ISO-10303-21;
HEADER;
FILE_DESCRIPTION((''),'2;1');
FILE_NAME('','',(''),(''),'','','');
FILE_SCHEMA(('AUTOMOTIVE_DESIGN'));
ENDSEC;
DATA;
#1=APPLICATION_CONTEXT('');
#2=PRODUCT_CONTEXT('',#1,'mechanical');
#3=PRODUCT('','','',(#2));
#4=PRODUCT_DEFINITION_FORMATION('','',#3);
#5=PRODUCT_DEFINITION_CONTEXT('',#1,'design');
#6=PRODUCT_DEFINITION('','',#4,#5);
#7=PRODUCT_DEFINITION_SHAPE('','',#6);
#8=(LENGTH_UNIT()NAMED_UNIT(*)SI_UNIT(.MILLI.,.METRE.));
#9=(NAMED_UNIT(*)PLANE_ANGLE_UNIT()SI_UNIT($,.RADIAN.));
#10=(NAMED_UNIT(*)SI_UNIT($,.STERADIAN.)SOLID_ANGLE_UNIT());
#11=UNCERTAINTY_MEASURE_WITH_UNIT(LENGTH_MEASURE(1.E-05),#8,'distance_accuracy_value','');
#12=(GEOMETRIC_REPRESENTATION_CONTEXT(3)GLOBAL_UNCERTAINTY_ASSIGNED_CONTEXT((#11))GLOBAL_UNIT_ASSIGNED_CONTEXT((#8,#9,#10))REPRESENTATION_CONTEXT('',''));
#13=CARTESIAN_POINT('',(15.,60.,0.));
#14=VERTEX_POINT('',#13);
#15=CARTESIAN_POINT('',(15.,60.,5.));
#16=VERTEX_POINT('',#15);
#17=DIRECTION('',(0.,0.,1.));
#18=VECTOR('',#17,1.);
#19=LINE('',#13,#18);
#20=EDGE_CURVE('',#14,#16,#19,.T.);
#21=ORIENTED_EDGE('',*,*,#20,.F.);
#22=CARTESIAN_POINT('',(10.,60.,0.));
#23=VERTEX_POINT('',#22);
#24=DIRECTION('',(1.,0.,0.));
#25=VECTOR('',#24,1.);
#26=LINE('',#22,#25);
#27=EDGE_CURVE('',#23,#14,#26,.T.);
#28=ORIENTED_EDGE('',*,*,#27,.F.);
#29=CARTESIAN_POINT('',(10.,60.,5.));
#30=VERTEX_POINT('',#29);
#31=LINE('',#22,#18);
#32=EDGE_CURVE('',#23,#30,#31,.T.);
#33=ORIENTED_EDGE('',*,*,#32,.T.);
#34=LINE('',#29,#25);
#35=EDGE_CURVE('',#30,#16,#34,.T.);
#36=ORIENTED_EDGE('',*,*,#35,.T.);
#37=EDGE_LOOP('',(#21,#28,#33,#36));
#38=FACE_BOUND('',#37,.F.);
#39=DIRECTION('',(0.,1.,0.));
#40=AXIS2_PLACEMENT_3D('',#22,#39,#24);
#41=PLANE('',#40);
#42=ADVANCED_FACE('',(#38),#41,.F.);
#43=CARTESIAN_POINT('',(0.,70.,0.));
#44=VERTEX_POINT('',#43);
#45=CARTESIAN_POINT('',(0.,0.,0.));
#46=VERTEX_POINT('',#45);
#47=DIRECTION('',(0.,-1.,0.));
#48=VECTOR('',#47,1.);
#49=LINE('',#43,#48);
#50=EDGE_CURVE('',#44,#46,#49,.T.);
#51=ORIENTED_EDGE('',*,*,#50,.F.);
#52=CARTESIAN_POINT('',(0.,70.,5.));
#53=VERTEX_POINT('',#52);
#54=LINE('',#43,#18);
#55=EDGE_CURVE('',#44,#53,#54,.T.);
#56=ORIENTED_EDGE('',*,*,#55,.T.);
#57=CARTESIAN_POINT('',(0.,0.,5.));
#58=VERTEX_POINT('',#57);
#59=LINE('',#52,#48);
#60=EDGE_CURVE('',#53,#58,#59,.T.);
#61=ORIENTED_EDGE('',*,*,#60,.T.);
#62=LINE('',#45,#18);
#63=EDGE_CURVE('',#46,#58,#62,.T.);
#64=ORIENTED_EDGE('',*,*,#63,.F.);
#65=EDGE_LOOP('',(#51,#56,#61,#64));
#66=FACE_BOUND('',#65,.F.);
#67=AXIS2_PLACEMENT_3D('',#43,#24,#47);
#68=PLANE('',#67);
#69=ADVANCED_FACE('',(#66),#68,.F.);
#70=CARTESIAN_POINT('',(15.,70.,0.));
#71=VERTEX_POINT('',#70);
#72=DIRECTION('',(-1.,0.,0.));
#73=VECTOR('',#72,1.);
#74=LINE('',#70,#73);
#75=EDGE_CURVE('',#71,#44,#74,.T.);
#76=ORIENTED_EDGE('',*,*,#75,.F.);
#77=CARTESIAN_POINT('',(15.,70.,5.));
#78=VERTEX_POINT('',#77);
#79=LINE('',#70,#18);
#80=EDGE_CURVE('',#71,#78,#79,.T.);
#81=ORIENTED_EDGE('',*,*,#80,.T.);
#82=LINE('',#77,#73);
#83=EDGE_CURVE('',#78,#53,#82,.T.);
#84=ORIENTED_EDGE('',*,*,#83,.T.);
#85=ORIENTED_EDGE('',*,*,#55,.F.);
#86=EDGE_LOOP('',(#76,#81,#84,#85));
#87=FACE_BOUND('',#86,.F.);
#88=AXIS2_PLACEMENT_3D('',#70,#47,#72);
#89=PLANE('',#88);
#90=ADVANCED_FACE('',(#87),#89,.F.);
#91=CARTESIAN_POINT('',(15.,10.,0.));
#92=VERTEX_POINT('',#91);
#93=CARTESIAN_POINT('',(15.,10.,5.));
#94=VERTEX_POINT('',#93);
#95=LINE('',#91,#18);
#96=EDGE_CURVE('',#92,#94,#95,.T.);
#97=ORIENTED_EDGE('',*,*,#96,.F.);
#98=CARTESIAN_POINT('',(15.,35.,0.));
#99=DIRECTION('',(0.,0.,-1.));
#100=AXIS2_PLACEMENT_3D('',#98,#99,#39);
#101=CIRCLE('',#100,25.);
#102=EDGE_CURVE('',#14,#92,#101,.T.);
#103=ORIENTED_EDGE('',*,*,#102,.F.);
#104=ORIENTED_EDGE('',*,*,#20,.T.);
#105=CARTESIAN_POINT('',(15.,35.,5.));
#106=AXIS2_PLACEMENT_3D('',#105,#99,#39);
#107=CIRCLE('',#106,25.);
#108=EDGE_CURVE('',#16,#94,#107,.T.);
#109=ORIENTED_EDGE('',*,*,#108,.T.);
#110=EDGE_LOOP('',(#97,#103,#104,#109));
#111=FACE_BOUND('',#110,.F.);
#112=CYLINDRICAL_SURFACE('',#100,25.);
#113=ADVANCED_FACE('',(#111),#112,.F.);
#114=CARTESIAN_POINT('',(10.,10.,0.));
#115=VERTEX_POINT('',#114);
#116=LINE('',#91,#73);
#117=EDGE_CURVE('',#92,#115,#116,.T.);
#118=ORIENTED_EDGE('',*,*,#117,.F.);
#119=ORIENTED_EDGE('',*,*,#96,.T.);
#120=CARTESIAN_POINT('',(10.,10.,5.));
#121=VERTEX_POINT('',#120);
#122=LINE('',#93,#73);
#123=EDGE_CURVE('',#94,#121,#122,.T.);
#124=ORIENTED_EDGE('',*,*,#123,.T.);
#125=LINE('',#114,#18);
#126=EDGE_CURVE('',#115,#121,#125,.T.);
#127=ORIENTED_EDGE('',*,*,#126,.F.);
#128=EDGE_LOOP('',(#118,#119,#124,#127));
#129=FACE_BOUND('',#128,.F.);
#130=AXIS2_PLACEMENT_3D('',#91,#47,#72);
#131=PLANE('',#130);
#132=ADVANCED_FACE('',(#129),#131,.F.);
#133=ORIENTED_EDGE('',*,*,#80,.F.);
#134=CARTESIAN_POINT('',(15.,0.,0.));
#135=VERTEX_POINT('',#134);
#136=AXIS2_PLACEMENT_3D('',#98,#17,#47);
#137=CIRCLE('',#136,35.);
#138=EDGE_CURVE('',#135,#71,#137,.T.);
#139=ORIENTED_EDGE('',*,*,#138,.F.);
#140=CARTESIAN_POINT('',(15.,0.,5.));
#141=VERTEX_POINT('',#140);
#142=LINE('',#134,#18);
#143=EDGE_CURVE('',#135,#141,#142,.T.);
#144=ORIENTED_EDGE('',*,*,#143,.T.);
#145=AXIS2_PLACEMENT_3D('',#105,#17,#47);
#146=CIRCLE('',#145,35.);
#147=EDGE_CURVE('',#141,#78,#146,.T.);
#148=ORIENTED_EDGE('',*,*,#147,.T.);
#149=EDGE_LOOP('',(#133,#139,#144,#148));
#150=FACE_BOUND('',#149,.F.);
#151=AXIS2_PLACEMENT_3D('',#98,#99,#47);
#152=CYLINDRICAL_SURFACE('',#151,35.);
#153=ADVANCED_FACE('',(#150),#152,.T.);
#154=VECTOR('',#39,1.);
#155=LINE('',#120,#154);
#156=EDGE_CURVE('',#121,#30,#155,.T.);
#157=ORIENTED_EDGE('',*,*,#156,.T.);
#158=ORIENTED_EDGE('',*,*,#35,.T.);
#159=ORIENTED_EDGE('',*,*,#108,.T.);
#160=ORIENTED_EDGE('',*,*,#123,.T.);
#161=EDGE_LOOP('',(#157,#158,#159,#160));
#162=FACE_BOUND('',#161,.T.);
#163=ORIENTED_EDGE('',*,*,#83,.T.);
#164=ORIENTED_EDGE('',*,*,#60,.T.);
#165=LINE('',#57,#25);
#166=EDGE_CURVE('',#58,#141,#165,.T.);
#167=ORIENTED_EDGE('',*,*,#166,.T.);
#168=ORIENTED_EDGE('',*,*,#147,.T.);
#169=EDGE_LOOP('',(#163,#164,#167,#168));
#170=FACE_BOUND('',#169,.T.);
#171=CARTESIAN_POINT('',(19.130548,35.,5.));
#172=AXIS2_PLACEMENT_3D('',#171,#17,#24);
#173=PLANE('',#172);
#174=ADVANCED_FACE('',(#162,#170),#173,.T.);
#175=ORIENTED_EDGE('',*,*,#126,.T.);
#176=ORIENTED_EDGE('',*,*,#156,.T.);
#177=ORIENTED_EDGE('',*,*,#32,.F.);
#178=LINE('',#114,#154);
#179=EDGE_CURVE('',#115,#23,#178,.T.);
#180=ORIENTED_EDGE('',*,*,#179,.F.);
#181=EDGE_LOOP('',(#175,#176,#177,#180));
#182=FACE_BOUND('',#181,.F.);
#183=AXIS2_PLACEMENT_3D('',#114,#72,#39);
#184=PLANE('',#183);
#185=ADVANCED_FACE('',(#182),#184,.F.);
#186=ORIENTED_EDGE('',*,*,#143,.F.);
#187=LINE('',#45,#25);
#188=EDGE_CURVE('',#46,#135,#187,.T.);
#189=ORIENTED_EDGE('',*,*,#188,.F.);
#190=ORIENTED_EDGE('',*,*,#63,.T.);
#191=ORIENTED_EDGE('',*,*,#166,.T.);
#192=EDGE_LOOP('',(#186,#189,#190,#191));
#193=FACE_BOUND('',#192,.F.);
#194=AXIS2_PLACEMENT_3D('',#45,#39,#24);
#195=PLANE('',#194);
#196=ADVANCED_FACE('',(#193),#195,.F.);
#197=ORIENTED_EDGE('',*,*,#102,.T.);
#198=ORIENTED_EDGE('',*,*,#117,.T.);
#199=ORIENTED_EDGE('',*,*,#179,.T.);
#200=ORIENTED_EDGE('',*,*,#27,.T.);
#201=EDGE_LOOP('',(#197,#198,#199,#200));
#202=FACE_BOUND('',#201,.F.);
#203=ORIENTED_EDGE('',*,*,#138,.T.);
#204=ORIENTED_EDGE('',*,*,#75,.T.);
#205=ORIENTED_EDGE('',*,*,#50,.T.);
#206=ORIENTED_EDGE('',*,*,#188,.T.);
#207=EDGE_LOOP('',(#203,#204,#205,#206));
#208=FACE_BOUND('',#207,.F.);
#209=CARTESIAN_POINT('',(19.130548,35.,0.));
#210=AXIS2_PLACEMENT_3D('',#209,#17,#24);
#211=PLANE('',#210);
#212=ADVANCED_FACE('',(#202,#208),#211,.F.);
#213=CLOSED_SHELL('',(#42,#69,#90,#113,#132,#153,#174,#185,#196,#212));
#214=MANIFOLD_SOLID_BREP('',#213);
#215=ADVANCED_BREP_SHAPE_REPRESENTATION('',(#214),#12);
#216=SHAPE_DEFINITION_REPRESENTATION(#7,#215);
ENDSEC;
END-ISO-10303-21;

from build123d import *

# Parameters (mm, degrees)
F1_DEPTH = 5


with BuildPart() as f1:
    # F0 (on Top) → F1 (new body)
    with BuildSketch(Plane.XY):
        with BuildLine():
            Line((0, 70), (0, 0))
            Line((0, 0), (15, 0))
            ThreePointArc((15, 0), (50, 35), (15, 70))
            Line((15, 70), (0, 70))
        make_face()
        with BuildLine():
            Line((10, 60), (15, 60))
            ThreePointArc((15, 60), (40, 35), (15, 10))
            Line((15, 10), (10, 10))
            Line((10, 10), (10, 60))
        make_face(mode=Mode.SUBTRACT)
    extrude(amount=F1_DEPTH)


solid = f1.part
